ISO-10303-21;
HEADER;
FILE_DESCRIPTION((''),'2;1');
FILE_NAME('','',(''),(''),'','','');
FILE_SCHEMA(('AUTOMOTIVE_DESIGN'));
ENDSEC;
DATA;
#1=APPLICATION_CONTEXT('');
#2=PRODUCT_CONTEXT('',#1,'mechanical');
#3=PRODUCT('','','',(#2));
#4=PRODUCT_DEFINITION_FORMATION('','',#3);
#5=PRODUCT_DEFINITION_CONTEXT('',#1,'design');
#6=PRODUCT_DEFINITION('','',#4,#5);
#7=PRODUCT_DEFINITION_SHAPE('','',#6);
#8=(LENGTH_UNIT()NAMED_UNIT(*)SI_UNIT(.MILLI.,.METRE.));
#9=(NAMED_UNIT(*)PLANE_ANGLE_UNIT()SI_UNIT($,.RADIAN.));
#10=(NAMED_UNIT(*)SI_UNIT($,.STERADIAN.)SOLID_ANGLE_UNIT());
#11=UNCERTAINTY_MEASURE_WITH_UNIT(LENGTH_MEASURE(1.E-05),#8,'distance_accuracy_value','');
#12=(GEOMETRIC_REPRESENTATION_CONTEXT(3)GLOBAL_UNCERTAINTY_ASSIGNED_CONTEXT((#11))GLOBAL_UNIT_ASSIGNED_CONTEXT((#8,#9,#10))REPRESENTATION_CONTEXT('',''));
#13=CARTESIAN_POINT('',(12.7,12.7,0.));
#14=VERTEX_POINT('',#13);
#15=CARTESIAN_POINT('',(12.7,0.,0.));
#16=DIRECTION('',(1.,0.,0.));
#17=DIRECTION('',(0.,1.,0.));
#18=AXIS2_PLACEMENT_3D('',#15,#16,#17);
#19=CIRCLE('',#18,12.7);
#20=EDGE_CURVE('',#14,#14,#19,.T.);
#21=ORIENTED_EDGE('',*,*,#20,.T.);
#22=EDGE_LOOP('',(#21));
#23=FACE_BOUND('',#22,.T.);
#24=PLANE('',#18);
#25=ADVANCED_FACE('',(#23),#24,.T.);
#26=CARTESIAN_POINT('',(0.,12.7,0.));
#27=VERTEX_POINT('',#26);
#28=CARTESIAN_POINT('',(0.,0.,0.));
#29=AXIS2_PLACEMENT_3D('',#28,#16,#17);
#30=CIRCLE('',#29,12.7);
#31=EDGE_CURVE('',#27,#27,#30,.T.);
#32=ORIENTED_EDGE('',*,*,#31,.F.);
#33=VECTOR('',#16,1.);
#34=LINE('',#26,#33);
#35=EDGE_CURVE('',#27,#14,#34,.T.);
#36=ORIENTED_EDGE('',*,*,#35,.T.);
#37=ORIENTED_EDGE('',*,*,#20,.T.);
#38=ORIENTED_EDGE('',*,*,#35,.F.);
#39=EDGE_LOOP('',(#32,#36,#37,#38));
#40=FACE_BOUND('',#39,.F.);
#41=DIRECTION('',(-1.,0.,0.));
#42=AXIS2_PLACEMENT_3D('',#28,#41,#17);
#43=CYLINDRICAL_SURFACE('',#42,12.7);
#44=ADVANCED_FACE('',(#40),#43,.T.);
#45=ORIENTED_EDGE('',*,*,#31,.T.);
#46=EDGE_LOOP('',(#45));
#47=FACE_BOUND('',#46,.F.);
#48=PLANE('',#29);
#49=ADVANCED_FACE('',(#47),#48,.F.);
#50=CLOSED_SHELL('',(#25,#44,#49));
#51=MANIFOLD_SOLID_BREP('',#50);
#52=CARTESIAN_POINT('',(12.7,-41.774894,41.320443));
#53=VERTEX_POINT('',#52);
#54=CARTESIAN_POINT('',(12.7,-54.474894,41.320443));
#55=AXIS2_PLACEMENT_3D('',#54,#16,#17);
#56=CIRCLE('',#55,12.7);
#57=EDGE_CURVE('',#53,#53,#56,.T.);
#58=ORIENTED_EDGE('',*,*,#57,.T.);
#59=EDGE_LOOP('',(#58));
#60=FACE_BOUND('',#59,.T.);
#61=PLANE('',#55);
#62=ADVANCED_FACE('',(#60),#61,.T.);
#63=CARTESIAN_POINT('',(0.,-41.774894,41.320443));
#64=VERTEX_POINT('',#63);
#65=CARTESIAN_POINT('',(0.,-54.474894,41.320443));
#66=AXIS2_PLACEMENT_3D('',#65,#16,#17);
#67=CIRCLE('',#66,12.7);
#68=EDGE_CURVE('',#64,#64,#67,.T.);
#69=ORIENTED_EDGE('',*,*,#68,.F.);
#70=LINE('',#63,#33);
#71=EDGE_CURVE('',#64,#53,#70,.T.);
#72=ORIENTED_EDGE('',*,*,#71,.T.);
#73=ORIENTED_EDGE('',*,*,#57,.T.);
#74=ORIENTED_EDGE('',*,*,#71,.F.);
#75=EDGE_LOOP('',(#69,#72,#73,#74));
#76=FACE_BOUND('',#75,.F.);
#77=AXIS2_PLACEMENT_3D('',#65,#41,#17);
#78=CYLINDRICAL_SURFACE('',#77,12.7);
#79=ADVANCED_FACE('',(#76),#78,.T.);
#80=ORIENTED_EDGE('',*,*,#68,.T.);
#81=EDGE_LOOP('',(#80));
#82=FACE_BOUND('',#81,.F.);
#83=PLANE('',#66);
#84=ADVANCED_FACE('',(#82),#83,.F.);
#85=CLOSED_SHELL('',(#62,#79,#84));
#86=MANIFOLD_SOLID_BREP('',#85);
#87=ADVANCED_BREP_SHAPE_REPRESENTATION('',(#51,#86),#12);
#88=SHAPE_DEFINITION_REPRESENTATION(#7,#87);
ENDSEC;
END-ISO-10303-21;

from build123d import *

# Parameters (mm, degrees)
F0_R     = 12.7
F1_DEPTH = 12.7


with BuildPart() as f1:
    # F0 (on Right) → F1 (new body)
    with BuildSketch(Plane.YZ):
        Circle(F0_R)
        with Locations((-54.474894, 41.320443)):
            Circle(F0_R)
    extrude(amount=F1_DEPTH)


solid = f1.part
